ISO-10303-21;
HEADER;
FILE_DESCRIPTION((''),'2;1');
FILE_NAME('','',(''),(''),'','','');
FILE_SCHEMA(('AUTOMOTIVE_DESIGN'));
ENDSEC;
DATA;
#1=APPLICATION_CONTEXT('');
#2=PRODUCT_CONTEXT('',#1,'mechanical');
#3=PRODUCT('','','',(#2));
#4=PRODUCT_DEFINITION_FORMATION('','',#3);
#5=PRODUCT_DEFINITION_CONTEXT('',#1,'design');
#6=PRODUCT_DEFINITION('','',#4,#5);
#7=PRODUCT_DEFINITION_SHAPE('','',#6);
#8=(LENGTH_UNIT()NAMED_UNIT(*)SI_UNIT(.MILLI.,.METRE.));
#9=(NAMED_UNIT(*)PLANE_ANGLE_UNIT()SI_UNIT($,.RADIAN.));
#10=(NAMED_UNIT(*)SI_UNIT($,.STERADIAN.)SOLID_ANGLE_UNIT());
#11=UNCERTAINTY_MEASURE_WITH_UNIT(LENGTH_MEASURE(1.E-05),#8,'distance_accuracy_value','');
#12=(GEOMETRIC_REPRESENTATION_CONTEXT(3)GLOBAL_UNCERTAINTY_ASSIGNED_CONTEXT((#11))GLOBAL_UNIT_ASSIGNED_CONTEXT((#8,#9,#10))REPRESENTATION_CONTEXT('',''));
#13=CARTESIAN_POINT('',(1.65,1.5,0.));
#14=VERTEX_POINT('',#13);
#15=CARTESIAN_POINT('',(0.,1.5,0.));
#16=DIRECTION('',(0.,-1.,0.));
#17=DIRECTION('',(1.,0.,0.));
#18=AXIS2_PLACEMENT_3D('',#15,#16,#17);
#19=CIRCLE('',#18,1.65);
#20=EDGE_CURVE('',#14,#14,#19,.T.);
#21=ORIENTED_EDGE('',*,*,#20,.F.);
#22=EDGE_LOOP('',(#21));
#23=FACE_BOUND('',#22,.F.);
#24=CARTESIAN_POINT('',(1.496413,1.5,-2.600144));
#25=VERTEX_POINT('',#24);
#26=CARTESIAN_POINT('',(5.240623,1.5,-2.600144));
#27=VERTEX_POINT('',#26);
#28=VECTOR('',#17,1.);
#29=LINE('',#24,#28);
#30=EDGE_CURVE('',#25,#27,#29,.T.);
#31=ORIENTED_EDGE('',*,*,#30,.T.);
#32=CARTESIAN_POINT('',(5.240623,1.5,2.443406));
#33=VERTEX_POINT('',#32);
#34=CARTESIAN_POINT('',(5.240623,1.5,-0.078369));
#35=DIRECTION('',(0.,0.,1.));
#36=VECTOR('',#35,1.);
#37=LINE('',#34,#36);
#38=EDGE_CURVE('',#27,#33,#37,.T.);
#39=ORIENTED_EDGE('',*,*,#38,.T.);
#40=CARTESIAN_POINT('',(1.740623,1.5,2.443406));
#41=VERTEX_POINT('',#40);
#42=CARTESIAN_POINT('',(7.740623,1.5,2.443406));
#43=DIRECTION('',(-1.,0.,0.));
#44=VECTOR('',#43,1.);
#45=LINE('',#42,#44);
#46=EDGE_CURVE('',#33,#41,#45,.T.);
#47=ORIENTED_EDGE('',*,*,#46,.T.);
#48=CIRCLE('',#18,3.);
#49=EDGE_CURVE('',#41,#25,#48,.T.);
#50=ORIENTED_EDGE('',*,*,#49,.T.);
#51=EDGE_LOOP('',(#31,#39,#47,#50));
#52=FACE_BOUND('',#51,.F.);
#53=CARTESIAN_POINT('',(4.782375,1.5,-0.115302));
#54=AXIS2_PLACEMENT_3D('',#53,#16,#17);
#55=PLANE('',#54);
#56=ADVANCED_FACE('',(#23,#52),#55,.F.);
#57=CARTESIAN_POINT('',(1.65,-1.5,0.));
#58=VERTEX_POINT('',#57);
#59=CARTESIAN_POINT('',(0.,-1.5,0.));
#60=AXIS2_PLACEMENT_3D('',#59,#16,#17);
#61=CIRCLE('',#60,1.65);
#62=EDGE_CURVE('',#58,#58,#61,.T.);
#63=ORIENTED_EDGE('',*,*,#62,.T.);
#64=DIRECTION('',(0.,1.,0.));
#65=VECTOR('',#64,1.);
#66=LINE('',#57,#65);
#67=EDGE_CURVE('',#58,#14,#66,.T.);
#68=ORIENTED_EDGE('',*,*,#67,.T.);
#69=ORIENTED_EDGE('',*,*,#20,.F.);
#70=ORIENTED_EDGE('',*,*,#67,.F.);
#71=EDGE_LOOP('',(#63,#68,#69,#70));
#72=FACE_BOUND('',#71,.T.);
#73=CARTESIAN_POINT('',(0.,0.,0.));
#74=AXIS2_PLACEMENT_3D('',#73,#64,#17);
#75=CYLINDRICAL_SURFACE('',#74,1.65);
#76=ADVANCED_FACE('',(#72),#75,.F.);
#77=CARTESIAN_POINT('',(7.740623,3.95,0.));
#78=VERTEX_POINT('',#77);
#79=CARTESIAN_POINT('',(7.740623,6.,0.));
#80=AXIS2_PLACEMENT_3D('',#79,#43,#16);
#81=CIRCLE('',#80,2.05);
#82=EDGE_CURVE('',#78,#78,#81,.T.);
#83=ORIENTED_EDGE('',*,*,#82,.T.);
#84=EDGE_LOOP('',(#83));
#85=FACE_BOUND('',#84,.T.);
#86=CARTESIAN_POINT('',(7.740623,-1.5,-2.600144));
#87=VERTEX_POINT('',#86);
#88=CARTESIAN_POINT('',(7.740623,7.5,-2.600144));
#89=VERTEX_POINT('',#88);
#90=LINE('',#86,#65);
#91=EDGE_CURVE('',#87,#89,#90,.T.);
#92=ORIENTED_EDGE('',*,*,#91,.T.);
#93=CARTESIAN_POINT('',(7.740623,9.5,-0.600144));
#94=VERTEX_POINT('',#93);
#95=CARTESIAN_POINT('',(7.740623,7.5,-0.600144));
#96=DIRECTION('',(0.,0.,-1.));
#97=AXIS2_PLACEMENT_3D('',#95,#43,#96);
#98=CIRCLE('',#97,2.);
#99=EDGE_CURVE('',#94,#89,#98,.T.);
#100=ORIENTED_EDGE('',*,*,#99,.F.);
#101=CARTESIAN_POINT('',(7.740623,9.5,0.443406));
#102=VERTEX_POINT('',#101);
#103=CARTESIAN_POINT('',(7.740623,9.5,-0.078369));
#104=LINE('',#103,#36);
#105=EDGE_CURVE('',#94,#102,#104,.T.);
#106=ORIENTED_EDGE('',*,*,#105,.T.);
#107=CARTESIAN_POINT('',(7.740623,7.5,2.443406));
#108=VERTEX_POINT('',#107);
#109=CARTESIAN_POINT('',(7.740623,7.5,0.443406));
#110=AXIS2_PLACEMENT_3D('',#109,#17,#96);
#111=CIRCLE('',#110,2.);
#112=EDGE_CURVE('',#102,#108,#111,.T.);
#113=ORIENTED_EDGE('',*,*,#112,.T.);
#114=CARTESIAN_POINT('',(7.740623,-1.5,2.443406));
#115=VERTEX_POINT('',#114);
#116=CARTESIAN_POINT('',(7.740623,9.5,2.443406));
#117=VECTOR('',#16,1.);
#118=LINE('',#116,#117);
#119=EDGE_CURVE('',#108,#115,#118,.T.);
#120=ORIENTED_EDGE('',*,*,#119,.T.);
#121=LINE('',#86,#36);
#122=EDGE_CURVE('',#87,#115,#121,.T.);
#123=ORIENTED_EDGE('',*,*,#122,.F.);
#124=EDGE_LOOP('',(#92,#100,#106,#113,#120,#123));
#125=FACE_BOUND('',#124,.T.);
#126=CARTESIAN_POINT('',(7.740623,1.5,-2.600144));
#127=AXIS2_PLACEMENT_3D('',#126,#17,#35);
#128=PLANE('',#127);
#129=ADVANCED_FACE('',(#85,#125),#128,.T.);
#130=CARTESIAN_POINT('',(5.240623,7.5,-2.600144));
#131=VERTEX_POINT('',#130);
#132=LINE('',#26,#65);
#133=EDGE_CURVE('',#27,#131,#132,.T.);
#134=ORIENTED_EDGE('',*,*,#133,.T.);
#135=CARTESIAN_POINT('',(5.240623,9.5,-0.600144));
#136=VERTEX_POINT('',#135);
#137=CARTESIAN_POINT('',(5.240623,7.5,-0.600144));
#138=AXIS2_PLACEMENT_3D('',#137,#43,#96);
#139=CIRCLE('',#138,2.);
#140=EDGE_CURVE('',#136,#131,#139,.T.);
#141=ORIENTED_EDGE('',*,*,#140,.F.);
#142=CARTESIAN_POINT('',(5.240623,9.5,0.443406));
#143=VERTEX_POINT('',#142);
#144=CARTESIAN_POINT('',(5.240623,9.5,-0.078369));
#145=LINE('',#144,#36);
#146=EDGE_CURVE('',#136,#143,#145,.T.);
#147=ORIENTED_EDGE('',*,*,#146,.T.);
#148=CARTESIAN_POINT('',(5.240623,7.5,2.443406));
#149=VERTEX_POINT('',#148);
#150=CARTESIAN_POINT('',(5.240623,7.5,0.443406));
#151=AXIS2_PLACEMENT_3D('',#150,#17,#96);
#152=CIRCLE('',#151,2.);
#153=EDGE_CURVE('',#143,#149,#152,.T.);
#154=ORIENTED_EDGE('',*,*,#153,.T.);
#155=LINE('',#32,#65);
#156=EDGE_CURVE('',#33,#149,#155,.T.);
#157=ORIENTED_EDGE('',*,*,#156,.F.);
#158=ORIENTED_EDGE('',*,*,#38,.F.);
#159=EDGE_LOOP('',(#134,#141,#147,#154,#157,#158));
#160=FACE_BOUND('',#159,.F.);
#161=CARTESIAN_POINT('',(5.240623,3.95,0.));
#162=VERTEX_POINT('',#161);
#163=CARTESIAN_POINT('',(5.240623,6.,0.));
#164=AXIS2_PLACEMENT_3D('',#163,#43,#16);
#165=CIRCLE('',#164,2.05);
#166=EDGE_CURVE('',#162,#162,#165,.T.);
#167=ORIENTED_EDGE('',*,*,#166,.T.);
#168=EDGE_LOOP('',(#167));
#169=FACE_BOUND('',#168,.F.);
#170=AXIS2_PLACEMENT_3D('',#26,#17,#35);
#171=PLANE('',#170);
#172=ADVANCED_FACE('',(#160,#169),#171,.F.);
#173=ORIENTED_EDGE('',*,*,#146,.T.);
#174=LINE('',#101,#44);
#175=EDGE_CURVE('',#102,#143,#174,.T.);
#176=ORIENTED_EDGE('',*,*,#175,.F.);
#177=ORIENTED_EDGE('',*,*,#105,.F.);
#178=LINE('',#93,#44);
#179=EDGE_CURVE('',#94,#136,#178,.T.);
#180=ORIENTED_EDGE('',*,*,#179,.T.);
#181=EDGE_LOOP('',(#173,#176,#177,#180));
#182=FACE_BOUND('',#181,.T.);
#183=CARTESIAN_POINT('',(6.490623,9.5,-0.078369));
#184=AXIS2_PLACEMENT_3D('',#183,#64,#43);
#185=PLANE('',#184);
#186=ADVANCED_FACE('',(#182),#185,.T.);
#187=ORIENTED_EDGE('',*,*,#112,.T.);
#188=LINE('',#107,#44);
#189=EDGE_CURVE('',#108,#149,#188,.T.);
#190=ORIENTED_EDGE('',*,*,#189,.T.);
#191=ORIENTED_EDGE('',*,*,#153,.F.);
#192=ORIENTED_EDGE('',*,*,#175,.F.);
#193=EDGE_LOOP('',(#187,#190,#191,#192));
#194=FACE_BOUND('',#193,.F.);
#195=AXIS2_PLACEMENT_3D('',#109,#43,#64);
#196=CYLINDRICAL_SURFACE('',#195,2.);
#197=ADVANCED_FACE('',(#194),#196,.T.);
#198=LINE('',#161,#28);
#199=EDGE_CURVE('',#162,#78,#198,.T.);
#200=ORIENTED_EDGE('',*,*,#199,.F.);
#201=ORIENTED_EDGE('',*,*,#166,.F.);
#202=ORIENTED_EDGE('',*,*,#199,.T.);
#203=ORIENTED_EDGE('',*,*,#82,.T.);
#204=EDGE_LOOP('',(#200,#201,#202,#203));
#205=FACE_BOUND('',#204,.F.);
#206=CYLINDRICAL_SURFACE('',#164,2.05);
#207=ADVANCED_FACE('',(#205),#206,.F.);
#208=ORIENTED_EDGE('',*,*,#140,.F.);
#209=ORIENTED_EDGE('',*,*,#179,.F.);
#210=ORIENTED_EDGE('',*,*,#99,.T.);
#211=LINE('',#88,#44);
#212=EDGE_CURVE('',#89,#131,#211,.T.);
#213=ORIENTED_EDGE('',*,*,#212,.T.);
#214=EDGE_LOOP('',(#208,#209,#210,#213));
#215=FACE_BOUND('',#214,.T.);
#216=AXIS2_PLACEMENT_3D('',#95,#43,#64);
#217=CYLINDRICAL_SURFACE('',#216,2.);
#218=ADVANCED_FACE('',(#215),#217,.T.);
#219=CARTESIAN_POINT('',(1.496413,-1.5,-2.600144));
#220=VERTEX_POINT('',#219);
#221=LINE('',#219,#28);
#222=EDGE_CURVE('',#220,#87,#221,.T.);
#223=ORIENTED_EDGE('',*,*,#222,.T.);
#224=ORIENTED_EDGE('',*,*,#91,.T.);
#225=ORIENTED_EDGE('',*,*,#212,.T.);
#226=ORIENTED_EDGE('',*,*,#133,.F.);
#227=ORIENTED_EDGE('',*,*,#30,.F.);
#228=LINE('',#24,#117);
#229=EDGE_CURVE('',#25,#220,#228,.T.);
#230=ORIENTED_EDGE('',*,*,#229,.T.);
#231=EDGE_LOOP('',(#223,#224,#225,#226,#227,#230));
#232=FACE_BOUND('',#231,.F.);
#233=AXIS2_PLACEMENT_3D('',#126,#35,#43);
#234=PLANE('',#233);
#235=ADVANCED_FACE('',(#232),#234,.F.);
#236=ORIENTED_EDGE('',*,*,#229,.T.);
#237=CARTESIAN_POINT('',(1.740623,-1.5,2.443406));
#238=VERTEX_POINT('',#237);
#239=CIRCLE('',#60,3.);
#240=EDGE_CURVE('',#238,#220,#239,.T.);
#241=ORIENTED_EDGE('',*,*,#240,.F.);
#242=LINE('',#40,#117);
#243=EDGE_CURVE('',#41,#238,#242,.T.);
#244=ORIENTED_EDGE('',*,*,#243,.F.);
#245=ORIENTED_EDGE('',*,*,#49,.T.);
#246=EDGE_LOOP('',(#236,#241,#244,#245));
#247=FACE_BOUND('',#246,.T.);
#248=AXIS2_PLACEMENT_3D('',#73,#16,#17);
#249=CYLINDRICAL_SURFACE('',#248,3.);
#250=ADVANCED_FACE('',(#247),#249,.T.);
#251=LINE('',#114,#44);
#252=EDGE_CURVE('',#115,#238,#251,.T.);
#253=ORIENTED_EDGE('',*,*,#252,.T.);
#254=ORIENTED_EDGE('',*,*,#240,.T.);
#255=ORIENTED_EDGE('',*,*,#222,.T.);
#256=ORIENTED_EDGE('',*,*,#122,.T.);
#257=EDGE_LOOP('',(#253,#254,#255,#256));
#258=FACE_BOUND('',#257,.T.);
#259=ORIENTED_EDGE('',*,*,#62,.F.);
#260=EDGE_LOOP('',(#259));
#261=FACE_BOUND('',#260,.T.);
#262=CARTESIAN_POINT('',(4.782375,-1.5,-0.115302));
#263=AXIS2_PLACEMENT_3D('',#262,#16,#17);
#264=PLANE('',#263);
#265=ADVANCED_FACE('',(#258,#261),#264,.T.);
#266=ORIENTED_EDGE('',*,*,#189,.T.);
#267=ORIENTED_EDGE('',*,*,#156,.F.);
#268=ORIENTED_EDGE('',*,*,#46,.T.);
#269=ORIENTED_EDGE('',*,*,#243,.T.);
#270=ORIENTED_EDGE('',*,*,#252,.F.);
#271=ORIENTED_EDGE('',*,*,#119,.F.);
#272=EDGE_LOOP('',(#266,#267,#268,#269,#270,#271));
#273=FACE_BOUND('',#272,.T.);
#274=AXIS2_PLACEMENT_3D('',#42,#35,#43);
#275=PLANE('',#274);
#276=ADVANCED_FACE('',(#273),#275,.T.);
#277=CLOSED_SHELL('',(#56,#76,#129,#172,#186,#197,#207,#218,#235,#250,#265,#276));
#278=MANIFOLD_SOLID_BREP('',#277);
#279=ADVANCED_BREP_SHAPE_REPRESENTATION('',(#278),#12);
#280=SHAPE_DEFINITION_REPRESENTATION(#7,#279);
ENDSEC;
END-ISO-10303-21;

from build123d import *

# Parameters (mm, degrees)
F0_R          = 3
F0_R_2        = 1.65
F1_DEPTH      = 1.5
F1_DEPTH_BACK = 1.5
F3_DEPTH      = 1.5
F3_DEPTH_BACK = 1.5
F4_W          = 2.5
F4_H          = 5.04355
F5_DEPTH      = 8
F6_R          = 2.05
F7_DEPTH      = 25
F8_R          = 2


with BuildPart() as f1:
    # F0 (on Front) → F1 (new body, two sides)
    with BuildSketch(Plane.XZ) as f1_sk:
        Circle(F0_R)
        Circle(F0_R_2, mode=Mode.SUBTRACT)
    extrude(amount=F1_DEPTH)
    extrude(f1_sk.sketch, amount=-F1_DEPTH_BACK)

    # F2 (on Front) → F3 (join, two sides)
    with BuildSketch(Plane.XZ) as f3_sk:
        with BuildLine():
            Line((7.740623, 2.443406), (1.740623, 2.443406))
            ThreePointArc((1.740623, 2.443406), (2.666633, 1.374433), (3, 0))
            ThreePointArc((3, 0), (2.59704, -1.501793), (1.496413, -2.600144))
            Line((1.496413, -2.600144), (7.740623, -2.600144))
            Line((7.740623, -2.600144), (7.740623, 2.443406))
        make_face()
    extrude(amount=F3_DEPTH)
    extrude(f3_sk.sketch, amount=-F3_DEPTH_BACK)

    # F4 (on face) → F5 (join)
    with BuildSketch(Plane(origin=(0, 1.5, 0), x_dir=(-1, 0, 0), z_dir=(0, 1, 0))):
        with Locations((-6.490623, -0.078369)):
            Rectangle(F4_W, F4_H)
    extrude(amount=F5_DEPTH)

    # F6 (on face) → F7 (cut)
    with BuildSketch(Plane(origin=(5.240623, 0, 0), x_dir=(0, -1, 0), z_dir=(-1, 0, 0))):
        with Locations((-6, 0)):
            Circle(F6_R)
    extrude(amount=-F7_DEPTH, mode=Mode.SUBTRACT)

    # F8
    f8_edges = [f1.edges().sort_by_distance(p)[0] for p in [
        (6.490623, 9.5, -2.600144),
        (6.490623, 9.5, 2.443406),
    ]]
    fillet(f8_edges, radius=F8_R)


solid = f1.part
